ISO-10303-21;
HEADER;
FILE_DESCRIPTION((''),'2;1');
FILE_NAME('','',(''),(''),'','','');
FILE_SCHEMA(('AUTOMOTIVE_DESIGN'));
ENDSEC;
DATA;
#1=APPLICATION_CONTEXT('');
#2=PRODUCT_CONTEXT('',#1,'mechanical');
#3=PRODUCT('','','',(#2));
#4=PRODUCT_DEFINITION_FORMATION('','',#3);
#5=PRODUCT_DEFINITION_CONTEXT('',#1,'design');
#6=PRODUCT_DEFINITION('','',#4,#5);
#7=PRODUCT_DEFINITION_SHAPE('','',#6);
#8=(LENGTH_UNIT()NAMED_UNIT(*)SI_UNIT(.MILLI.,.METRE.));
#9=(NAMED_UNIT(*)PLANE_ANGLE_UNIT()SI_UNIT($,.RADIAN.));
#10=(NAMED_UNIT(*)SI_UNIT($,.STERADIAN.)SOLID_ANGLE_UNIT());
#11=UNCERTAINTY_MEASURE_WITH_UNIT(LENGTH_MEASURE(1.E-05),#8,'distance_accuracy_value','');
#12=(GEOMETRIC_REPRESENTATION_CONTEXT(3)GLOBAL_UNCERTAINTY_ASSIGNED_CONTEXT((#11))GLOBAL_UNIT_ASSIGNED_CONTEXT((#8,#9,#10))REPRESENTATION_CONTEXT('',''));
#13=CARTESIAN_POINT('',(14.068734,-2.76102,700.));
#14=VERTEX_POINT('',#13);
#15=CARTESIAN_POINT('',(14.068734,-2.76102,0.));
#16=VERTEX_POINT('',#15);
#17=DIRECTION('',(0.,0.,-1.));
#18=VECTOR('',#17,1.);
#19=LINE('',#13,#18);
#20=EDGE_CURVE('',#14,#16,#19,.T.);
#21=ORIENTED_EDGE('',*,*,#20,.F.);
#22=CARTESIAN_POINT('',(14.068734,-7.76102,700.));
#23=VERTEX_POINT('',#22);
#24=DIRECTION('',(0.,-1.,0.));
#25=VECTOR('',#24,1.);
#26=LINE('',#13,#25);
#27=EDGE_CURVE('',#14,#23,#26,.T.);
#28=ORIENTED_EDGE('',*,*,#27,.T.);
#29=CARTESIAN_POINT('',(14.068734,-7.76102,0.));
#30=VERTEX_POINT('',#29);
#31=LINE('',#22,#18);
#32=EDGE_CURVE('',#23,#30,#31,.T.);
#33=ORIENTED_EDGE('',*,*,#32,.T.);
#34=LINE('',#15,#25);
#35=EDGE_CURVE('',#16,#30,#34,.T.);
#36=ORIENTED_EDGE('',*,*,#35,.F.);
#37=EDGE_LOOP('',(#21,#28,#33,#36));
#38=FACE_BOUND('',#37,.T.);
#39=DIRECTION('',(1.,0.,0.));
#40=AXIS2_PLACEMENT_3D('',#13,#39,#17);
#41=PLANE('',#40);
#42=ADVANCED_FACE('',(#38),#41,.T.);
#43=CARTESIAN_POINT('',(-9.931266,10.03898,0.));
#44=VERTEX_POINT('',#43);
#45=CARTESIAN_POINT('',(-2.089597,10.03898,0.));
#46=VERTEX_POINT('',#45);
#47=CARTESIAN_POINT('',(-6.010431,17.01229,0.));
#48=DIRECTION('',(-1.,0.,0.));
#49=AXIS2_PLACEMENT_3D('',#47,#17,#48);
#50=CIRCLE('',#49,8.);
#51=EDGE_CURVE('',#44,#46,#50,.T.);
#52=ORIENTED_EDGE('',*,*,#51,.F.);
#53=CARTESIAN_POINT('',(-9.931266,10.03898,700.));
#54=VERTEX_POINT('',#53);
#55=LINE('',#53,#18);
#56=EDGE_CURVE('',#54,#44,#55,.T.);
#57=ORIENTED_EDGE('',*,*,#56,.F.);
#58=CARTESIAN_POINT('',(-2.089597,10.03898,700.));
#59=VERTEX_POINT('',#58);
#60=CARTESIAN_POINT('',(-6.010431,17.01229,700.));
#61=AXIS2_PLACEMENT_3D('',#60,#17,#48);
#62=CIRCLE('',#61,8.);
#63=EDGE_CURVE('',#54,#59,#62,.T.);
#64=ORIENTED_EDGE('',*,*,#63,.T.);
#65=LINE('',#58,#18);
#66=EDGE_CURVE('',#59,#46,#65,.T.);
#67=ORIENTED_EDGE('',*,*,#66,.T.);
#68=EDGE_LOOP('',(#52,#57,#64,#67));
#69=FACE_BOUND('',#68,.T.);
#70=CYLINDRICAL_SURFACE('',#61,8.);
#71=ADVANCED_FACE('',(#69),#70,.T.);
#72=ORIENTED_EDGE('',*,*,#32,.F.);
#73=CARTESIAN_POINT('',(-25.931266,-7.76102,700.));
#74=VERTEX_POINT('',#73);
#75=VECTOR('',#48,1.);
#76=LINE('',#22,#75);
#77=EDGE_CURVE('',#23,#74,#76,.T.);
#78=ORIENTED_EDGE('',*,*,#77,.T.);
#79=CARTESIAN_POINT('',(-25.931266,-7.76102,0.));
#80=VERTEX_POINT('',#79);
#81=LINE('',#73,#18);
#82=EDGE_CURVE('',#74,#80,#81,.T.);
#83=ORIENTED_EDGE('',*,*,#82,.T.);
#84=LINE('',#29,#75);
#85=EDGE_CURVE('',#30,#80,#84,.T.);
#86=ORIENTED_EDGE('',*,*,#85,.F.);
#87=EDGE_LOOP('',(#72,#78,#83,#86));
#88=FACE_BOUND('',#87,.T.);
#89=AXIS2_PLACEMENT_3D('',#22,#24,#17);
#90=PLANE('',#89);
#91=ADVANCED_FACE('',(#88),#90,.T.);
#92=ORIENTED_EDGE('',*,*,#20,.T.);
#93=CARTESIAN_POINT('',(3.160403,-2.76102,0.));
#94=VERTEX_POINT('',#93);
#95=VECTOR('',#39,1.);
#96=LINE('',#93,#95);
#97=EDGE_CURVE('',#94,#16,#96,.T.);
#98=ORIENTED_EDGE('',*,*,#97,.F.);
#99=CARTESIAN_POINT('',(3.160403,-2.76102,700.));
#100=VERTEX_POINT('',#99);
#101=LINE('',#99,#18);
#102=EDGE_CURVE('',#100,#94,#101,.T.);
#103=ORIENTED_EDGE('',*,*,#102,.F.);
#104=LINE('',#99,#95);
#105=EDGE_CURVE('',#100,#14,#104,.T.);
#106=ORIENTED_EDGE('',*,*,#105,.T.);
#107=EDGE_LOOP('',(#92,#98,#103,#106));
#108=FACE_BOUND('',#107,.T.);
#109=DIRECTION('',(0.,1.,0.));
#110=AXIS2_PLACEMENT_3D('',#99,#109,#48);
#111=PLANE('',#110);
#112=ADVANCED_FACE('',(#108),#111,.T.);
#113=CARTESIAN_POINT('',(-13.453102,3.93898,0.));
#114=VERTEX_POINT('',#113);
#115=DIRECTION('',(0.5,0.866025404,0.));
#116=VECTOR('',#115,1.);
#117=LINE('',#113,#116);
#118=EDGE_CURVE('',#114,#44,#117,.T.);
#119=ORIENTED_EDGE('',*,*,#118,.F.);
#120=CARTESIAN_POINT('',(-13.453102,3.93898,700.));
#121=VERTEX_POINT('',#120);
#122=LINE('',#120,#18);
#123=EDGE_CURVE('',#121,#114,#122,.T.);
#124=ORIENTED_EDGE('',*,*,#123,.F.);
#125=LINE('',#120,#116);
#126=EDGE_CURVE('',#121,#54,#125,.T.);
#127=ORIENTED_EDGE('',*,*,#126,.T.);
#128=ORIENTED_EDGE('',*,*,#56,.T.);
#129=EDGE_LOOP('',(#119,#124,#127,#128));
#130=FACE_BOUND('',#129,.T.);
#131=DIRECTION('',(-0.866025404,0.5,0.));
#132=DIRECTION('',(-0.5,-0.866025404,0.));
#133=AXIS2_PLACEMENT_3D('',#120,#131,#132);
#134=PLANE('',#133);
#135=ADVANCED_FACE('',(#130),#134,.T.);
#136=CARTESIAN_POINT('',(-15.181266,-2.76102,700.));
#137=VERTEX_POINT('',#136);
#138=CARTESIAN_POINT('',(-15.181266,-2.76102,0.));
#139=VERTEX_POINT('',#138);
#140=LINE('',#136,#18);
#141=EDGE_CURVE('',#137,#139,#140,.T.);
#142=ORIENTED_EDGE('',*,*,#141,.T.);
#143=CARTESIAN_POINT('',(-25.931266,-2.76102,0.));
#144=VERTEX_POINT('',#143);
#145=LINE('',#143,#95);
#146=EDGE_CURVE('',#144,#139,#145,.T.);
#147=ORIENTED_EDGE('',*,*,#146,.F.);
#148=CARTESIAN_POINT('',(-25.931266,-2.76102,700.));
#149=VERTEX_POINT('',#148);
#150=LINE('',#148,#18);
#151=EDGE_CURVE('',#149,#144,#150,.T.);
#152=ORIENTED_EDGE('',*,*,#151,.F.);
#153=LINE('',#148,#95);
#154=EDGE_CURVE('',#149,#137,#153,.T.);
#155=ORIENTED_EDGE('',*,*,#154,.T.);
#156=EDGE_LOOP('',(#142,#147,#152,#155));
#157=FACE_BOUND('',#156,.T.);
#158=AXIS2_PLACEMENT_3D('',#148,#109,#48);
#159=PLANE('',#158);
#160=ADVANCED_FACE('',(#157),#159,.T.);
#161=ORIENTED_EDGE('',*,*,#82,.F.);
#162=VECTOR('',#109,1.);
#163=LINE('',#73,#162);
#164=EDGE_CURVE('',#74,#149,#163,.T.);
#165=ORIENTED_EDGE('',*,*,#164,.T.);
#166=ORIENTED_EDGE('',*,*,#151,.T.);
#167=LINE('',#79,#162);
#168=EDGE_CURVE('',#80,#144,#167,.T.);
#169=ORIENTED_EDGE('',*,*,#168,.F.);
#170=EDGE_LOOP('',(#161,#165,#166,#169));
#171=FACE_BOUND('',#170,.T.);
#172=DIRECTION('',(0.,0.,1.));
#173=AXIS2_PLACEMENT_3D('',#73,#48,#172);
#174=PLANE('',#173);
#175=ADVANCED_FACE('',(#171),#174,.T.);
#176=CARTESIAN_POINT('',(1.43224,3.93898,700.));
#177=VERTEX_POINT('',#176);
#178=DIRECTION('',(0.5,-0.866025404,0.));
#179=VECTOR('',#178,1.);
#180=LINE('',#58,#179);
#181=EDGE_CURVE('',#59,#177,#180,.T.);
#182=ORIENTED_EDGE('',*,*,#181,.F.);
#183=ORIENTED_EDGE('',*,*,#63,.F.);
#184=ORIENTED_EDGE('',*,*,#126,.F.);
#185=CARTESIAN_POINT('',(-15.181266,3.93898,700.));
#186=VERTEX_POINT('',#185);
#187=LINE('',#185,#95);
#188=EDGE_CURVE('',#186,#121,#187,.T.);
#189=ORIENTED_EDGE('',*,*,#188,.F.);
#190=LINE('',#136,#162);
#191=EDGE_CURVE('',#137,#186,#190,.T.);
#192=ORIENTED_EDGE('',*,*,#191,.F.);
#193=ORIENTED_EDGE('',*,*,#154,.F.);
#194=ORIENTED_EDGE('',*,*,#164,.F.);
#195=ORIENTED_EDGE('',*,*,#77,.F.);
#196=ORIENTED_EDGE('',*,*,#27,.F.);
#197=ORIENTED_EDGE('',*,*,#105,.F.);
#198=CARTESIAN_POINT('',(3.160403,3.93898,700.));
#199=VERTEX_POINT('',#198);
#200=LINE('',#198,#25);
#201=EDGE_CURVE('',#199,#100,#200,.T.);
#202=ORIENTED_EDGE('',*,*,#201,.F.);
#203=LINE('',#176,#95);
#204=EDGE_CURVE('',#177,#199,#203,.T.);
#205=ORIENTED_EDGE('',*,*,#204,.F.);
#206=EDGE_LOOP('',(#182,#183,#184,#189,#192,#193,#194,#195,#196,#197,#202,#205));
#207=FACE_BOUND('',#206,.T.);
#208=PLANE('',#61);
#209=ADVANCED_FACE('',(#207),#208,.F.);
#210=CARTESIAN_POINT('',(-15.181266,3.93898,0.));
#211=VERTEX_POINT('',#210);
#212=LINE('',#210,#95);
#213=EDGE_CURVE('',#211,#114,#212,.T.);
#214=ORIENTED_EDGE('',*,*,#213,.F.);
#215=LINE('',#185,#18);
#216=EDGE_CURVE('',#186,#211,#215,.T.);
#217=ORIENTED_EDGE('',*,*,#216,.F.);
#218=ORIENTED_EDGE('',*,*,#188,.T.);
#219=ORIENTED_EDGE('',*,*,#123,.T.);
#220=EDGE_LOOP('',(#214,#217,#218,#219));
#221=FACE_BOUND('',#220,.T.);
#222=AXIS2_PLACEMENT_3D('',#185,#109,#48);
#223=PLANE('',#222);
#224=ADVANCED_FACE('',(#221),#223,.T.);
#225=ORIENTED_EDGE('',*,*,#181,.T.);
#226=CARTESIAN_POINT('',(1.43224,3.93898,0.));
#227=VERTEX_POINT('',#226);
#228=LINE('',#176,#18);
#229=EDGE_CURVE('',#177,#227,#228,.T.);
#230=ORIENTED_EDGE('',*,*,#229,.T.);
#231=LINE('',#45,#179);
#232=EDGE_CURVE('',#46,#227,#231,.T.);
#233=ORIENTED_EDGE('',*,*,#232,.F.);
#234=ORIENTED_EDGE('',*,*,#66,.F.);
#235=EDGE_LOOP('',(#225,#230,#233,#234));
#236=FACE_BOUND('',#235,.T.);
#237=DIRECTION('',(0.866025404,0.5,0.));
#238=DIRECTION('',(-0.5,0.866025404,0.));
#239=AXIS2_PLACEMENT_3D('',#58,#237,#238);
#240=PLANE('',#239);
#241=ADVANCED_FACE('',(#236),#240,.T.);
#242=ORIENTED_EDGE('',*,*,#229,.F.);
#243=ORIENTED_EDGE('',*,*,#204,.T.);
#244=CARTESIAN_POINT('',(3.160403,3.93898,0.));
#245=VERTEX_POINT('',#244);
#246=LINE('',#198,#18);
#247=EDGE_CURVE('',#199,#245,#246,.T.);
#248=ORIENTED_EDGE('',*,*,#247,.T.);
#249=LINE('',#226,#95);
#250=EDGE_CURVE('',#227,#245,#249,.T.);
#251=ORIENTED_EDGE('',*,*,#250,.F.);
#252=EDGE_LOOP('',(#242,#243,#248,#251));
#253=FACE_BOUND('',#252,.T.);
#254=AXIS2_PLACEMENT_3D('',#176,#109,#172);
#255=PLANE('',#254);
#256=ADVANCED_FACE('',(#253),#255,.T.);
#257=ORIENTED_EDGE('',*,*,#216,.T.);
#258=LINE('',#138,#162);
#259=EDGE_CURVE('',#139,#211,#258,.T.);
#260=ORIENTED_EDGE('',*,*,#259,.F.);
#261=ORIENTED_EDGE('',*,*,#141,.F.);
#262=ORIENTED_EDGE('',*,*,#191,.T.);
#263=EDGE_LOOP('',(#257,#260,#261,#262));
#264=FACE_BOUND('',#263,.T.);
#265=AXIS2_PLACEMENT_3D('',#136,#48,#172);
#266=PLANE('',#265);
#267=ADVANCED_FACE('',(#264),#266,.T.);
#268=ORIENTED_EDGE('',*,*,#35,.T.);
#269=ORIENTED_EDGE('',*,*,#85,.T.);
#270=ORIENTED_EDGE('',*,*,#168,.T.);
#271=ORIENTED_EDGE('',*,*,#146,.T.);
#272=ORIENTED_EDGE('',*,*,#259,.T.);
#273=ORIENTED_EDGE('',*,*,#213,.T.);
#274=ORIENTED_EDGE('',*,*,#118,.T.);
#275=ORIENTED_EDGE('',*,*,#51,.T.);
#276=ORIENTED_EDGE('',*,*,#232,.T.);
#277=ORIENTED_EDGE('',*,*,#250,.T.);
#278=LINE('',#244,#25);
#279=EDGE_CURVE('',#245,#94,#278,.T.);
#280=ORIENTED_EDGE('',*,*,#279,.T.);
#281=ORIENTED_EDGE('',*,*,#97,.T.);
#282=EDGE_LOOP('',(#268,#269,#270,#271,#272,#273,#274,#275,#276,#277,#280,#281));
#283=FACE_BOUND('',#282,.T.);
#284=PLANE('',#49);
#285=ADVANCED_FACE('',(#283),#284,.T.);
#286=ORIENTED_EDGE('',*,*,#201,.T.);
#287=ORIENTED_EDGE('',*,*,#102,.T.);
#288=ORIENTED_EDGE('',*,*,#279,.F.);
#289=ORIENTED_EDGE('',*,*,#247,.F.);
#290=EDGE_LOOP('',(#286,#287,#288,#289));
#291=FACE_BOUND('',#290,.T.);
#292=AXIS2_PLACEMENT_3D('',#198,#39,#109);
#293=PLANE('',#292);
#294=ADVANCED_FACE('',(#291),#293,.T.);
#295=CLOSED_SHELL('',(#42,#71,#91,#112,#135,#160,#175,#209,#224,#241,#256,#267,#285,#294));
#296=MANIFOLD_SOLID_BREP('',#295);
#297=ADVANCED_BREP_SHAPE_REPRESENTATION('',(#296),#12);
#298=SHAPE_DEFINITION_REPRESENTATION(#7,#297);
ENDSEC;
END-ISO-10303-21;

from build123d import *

# Parameters (mm, degrees)
BOSS_EXTRU_1_DEPTH = 700


with BuildPart() as part:
    # Esquisse1 → Boss.-Extru.1 (new body)
    with BuildSketch(Plane.XY):
        with BuildLine():
            Line((-25.931265673, -2.76101993), (-15.181265673, -2.76101993))
            Line((-15.181265673, -2.76101993), (-15.181265673, 3.93898007))
            Line((-15.181265673, 3.93898007), (-13.453102315, 3.93898007))
            Line((-13.453102315, 3.93898007), (-9.931265673, 10.03898007))
            ThreePointArc((-9.931265673, 10.03898007), (-6.010431334, 25.012290482), (-2.089596996, 10.03898007))
            Line((-2.089596996, 10.03898007), (1.432239646, 3.93898007))
            Line((1.432239646, 3.93898007), (3.160403004, 3.93898007))
            Line((3.160403004, 3.93898007), (3.160403004, -2.76101993))
            Line((3.160403004, -2.76101993), (14.068734327, -2.76101993))
            Line((14.068734327, -2.76101993), (14.068734327, -7.76101993))
            Line((14.068734327, -7.76101993), (-25.931265673, -7.76101993))
            Line((-25.931265673, -7.76101993), (-25.931265673, -2.76101993))
        make_face()
    extrude(amount=BOSS_EXTRU_1_DEPTH)


solid = part.part
